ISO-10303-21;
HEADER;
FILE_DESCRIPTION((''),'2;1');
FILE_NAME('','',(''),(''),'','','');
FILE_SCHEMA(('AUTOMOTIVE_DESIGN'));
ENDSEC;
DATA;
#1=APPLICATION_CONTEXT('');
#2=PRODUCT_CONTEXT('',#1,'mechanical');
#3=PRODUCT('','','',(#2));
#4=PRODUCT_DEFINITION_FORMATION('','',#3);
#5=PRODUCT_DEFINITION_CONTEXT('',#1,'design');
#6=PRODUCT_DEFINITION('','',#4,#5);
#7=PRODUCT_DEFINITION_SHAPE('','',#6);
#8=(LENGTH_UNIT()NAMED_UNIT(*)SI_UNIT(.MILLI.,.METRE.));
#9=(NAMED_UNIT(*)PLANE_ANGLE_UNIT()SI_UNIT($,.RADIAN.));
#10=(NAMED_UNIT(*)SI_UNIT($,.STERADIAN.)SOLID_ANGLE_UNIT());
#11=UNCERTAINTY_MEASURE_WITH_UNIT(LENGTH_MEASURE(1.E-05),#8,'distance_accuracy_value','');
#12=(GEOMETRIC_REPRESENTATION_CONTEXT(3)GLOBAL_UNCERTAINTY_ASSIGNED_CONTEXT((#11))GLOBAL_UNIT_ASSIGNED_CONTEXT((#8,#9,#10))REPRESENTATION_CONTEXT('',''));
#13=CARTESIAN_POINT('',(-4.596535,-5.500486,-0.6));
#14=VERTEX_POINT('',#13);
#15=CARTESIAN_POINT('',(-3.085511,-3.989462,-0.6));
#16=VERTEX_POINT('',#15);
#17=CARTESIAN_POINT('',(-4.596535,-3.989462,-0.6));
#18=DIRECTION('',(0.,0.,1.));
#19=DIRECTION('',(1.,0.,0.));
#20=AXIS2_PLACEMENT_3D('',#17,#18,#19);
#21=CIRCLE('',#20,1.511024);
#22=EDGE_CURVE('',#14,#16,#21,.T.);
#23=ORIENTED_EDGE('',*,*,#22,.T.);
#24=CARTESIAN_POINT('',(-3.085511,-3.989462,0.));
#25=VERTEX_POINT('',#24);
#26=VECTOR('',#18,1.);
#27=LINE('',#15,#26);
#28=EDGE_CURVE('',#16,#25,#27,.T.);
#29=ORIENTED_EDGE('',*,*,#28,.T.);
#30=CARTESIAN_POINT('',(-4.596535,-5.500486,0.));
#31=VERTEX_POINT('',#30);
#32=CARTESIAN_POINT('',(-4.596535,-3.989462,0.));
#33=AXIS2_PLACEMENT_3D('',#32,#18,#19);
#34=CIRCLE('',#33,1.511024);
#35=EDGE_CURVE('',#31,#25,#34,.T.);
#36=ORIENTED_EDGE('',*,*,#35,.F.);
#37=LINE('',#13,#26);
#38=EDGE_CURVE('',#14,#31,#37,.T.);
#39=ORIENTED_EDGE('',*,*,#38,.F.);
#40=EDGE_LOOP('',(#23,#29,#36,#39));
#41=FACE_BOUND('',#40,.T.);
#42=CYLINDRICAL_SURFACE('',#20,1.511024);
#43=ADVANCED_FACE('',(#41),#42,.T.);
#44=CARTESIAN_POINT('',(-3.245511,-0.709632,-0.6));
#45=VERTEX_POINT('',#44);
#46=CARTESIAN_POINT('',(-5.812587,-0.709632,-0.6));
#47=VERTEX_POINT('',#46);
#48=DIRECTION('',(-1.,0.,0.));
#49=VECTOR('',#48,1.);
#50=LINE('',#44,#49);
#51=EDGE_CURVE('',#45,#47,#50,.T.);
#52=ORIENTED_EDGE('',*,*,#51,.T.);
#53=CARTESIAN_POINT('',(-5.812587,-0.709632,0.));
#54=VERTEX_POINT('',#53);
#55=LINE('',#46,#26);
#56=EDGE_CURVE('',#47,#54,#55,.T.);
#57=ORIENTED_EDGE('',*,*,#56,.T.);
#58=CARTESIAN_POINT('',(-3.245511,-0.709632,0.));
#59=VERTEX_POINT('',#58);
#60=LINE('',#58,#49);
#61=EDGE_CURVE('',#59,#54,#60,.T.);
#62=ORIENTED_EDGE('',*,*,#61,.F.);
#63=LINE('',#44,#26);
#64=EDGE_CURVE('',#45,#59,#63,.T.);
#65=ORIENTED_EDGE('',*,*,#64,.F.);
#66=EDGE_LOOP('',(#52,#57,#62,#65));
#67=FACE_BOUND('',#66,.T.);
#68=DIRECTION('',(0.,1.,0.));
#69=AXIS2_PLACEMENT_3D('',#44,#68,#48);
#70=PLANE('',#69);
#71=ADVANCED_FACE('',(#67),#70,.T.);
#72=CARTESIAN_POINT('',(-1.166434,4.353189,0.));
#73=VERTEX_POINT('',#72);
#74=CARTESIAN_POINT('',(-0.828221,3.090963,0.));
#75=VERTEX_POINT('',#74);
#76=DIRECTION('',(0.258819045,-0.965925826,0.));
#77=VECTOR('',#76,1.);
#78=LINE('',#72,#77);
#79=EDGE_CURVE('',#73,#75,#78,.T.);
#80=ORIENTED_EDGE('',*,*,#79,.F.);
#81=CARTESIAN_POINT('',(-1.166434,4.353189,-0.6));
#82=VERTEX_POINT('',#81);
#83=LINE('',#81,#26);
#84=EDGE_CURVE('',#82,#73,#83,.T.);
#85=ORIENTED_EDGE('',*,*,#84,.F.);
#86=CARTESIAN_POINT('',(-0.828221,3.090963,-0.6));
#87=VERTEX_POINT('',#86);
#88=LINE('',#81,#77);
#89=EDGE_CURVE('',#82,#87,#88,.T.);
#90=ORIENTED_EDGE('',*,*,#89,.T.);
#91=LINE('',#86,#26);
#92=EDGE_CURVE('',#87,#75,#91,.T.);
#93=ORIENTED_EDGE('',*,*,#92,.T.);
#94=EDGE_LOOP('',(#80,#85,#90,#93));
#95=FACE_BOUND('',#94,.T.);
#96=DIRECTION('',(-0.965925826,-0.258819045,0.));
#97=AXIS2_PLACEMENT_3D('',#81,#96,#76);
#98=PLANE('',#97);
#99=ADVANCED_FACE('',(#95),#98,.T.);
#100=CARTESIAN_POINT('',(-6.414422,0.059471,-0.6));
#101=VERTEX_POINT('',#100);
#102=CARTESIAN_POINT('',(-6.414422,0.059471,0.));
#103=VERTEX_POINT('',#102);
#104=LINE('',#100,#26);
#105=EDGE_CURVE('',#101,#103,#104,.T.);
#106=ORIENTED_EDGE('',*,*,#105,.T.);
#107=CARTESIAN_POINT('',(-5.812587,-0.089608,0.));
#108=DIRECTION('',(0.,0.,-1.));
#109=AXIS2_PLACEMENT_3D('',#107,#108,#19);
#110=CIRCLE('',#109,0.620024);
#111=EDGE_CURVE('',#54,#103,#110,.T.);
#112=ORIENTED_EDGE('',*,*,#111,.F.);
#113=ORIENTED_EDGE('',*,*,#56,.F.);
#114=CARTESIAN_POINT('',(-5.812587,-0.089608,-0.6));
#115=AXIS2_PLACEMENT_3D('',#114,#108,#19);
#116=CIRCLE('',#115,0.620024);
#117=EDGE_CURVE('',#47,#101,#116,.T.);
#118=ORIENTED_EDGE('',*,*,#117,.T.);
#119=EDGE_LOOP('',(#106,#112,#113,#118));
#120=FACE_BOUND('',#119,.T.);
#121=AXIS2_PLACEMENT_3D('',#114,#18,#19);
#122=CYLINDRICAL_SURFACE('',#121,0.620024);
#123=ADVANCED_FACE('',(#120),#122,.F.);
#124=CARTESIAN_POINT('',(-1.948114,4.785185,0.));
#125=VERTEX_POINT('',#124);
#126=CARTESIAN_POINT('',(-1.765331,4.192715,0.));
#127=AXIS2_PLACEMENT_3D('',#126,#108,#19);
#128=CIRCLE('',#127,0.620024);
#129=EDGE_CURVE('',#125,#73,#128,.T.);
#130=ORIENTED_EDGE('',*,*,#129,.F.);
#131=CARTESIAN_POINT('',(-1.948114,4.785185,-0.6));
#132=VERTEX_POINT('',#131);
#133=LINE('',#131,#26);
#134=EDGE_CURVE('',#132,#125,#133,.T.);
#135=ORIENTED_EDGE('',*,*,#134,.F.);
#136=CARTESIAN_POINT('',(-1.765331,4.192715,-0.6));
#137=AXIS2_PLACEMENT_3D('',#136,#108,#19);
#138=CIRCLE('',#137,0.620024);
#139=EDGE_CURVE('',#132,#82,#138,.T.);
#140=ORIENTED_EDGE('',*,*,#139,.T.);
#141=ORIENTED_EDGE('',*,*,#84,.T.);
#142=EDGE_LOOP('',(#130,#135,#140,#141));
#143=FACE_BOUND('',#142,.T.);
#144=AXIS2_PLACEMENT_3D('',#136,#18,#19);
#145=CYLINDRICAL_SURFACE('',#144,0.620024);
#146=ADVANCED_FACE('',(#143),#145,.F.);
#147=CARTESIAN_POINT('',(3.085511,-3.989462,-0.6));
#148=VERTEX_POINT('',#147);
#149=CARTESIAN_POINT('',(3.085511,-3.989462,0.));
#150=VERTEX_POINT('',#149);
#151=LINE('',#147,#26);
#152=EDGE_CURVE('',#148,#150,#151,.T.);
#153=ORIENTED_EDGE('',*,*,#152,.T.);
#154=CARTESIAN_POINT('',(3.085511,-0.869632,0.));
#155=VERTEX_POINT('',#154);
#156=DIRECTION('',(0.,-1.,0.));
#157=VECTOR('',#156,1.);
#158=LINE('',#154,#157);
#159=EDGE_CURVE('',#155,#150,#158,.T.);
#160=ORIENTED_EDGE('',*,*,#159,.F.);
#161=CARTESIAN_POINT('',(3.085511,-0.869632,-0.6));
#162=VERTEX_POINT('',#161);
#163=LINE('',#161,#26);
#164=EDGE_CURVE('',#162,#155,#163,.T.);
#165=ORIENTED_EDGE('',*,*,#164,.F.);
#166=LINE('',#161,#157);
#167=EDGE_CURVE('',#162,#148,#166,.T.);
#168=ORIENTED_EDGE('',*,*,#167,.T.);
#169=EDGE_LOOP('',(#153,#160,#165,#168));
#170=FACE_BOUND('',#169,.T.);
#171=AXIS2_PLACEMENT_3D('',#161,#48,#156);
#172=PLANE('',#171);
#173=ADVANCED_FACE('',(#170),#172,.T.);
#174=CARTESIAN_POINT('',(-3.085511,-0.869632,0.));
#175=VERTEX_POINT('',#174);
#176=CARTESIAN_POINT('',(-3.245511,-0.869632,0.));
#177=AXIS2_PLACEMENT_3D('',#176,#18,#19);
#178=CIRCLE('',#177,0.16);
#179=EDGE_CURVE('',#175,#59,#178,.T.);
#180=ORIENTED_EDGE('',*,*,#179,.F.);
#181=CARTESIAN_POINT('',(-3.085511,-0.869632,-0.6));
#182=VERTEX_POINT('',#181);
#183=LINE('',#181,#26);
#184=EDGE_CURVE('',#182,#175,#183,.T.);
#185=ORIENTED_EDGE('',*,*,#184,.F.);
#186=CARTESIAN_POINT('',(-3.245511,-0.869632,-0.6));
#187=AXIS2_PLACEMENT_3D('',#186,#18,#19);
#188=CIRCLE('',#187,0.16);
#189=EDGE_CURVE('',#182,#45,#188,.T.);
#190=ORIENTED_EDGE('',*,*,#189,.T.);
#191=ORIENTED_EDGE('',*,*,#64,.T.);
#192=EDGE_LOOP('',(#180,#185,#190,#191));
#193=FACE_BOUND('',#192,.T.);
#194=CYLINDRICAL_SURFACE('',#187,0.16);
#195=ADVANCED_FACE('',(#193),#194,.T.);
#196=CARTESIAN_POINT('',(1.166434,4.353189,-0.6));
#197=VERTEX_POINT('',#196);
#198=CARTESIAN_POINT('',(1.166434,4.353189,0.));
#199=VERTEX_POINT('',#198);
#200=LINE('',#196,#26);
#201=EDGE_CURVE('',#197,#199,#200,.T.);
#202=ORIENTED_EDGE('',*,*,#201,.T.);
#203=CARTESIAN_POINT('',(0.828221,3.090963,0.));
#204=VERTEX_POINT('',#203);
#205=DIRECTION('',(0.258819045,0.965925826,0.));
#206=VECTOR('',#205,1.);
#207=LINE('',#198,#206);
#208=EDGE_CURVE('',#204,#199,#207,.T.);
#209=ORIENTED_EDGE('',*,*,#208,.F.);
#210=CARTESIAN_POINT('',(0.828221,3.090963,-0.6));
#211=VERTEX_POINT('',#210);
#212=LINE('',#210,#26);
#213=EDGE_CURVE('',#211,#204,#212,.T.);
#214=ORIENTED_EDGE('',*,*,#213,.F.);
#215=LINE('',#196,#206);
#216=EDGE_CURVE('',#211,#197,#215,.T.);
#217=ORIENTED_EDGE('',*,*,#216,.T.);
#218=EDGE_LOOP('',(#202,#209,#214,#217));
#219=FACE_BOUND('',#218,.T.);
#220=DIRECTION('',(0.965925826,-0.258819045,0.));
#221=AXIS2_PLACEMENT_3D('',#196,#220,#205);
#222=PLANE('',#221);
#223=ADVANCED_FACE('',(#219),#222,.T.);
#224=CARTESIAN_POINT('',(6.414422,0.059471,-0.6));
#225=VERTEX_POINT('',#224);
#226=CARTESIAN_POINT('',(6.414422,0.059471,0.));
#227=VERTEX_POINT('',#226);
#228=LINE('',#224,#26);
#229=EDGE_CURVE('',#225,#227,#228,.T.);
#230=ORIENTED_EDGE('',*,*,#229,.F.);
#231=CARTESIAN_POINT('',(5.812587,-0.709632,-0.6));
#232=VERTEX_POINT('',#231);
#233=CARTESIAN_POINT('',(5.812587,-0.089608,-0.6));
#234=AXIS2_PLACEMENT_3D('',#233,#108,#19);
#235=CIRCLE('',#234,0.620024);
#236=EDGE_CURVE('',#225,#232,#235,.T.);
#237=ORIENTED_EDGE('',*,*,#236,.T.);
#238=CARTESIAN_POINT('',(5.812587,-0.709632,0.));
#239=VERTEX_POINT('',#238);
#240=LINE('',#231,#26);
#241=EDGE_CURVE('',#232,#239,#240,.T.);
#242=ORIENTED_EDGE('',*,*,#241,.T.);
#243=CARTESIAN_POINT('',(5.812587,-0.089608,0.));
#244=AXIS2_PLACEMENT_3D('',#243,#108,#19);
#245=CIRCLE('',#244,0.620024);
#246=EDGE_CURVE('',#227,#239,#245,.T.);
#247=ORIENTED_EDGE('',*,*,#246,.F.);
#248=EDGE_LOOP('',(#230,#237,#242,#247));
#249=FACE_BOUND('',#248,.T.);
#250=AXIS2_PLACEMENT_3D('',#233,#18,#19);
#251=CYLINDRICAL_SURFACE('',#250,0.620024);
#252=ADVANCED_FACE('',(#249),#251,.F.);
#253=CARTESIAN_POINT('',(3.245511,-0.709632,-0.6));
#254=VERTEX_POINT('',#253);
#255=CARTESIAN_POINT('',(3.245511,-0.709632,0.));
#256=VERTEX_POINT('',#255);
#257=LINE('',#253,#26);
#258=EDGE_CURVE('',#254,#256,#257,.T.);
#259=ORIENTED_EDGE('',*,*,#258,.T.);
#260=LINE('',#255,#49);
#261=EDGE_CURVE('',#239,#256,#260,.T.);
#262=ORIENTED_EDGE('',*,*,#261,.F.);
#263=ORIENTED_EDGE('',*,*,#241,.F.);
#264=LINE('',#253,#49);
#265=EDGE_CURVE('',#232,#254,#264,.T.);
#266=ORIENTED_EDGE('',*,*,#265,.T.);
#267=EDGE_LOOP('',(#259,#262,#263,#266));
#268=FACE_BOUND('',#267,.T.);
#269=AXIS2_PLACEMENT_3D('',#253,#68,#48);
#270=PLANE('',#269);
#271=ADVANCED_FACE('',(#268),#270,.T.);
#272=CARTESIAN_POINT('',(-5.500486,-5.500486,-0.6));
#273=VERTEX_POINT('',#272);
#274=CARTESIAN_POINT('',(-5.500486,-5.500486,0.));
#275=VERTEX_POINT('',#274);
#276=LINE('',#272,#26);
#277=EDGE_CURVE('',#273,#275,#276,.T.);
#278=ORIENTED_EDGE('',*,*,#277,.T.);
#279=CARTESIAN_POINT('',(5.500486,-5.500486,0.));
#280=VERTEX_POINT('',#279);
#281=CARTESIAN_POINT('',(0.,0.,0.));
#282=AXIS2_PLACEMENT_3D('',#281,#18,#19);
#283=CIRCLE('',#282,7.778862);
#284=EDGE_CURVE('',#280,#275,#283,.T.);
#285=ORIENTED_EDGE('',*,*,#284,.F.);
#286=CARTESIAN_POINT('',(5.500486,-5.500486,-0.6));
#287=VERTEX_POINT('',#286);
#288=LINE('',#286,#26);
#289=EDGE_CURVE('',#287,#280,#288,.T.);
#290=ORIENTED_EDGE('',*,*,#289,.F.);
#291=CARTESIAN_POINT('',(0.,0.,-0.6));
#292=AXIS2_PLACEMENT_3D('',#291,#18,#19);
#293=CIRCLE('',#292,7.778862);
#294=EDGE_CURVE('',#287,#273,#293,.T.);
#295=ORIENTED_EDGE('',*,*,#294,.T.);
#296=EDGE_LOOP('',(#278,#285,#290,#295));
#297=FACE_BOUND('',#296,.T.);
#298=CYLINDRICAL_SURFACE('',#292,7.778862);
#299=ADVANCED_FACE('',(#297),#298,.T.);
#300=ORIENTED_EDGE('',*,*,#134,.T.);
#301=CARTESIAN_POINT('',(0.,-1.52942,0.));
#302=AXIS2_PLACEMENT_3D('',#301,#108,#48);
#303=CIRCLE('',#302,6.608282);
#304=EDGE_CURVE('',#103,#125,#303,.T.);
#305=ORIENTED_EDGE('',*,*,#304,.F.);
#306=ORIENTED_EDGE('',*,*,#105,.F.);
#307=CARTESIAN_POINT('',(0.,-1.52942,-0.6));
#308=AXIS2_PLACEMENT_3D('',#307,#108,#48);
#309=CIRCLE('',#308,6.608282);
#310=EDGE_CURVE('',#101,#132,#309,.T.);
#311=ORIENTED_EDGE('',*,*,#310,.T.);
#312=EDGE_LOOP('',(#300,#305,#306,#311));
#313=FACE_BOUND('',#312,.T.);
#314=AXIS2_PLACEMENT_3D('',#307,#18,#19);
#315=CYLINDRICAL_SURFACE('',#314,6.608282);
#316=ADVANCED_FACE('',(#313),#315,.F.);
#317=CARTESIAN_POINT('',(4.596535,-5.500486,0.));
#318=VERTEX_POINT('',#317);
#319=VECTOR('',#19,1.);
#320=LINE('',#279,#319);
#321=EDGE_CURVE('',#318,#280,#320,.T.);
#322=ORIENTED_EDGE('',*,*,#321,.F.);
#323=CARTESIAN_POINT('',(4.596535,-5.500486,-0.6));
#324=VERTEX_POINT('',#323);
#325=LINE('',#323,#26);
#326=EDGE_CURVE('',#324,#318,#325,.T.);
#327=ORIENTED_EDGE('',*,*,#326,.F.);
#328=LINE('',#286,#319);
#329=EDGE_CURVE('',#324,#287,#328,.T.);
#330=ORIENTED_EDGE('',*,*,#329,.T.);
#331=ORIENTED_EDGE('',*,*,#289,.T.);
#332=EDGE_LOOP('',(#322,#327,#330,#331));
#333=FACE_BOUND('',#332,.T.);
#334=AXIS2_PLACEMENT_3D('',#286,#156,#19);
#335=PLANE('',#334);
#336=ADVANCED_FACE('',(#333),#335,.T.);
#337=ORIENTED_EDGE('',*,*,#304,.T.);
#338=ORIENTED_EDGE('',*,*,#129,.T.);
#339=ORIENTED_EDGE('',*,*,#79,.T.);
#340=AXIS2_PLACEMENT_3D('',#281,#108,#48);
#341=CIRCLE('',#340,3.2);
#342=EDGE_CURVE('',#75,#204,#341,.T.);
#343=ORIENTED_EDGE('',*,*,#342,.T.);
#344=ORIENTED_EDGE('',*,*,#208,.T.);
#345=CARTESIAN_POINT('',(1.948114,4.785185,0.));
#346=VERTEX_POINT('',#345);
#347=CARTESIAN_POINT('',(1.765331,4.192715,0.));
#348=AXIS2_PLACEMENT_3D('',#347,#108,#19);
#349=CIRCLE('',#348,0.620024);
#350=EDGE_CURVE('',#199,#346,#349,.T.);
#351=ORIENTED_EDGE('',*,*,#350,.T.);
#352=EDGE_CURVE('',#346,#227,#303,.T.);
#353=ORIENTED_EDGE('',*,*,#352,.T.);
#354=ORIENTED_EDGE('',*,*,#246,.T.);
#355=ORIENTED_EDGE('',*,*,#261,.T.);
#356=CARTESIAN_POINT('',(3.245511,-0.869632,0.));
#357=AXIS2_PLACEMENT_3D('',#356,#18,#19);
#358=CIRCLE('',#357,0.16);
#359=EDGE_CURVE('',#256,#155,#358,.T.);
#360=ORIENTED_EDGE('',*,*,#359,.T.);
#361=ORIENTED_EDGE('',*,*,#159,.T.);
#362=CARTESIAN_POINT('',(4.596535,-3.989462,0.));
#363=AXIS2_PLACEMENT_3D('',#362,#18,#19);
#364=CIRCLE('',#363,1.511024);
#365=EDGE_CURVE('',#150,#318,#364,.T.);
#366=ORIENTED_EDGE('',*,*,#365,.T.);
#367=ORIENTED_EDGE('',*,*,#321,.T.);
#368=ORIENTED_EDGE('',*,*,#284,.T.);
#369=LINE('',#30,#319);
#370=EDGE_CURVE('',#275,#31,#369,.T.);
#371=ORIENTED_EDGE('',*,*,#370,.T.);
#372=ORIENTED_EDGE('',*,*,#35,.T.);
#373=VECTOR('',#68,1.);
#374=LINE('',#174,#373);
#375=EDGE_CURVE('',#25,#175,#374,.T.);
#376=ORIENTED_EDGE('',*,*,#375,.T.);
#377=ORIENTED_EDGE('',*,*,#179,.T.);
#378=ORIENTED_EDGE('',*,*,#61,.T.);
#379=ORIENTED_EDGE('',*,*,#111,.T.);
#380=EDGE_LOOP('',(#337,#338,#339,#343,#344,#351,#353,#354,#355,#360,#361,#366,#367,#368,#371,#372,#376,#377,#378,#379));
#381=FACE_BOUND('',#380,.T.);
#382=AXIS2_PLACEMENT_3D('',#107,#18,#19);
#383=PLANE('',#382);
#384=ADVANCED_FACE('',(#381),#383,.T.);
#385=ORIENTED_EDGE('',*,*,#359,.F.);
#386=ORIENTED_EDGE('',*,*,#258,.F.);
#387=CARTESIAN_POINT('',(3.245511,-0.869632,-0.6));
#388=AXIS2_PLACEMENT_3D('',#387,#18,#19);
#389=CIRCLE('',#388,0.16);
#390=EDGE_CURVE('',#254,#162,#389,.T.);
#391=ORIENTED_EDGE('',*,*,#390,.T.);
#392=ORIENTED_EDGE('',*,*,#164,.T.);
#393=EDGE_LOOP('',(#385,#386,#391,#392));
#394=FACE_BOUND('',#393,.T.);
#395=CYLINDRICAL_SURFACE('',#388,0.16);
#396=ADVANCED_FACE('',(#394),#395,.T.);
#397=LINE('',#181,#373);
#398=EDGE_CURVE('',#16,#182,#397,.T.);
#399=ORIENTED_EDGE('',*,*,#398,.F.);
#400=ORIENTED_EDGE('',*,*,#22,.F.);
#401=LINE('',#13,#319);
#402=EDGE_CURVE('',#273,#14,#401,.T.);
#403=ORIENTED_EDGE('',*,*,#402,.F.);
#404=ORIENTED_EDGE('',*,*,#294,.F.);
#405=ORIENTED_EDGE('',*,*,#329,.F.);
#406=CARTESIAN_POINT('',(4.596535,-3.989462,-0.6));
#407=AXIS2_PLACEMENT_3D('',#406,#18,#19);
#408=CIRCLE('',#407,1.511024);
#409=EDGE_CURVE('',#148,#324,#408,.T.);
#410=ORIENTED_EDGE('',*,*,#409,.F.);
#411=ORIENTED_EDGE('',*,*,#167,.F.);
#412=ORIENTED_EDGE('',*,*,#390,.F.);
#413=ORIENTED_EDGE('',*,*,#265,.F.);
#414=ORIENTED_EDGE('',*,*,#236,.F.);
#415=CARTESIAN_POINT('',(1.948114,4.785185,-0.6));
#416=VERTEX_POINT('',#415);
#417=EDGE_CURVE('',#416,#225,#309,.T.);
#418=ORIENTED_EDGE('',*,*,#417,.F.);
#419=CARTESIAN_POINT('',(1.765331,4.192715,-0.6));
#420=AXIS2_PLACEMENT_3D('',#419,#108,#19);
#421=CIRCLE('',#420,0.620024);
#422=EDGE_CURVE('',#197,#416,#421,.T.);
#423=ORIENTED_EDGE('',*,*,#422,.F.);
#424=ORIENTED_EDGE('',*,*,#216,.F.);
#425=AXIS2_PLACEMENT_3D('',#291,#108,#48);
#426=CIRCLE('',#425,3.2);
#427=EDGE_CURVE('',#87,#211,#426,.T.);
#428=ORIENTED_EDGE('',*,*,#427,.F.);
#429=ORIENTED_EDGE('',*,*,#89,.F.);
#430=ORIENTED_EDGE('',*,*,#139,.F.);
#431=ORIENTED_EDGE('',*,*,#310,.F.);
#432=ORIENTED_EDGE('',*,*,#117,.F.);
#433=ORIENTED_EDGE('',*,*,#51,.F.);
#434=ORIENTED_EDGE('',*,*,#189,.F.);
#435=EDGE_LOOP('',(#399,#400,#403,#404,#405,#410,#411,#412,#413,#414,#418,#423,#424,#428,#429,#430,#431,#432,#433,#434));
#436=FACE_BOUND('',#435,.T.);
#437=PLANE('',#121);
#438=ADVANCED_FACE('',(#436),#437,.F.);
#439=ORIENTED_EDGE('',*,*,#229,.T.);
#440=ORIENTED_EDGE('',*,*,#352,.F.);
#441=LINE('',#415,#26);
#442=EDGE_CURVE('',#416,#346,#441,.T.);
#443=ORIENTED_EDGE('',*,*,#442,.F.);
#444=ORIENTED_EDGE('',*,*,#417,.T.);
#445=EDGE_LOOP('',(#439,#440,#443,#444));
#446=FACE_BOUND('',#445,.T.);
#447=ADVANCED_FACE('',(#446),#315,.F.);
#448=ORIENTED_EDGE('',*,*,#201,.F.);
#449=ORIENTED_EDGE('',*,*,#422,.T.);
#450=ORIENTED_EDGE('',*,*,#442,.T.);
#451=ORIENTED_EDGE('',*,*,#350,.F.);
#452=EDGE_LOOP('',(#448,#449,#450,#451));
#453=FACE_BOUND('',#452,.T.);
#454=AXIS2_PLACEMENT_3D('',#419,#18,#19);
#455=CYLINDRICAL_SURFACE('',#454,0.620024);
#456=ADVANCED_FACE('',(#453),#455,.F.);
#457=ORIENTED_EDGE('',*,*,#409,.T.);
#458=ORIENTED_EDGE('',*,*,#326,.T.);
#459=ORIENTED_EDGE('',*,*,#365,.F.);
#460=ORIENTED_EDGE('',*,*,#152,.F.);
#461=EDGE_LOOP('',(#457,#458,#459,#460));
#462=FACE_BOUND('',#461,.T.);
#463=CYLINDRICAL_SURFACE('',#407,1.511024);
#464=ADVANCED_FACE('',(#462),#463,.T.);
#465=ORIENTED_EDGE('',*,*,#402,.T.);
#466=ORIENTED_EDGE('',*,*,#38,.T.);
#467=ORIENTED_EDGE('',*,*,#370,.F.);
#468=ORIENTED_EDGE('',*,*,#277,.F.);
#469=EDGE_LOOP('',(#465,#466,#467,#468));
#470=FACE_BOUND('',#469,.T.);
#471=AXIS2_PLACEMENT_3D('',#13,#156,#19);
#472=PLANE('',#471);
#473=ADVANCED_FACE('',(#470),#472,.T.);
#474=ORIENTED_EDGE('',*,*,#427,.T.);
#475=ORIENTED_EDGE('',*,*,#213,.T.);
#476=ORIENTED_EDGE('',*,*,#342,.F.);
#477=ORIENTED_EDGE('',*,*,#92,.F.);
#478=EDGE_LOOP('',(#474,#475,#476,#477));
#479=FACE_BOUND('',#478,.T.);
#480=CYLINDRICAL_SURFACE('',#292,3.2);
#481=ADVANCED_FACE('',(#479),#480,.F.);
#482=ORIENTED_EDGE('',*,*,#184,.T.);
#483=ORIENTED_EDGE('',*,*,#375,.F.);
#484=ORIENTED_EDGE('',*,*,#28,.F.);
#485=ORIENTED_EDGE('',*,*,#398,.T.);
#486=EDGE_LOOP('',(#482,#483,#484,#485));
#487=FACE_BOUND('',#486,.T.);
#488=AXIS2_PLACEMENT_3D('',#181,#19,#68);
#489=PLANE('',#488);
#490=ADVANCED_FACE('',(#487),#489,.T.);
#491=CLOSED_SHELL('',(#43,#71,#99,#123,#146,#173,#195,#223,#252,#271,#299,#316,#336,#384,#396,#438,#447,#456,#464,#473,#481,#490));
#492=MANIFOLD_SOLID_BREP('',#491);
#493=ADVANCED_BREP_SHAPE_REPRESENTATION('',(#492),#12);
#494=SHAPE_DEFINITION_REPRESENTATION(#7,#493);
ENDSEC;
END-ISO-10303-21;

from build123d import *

# Parameters (mm, degrees)
BODY_DEPTH = 0.6


with BuildPart() as part:
    # BodySke → Body (new body)
    with BuildSketch(Plane.XY):
        with BuildLine():
            Line((5.500485921, -5.500485921), (4.596535167, -5.500485921))
            ThreePointArc((4.596535167, -5.500485921), (3.528079574, -5.057917123), (3.085510776, -3.98946153))
            Line((3.085510776, -3.98946153), (3.085510776, -0.869631992))
            ThreePointArc((3.085510776, -0.869631992), (3.132373691, -0.756494907), (3.245510776, -0.709631992))
            Line((3.245510776, -0.709631992), (5.812587034, -0.709631992))
            ThreePointArc((5.812587034, -0.709631992), (6.300881202, -0.471705822), (6.414422496, 0.059470637))
            ThreePointArc((6.414422496, 0.059470637), (4.802717732, 3.00966483), (1.948113616, 4.78518542))
            ThreePointArc((1.948113616, 4.78518542), (1.465426047, 4.735382034), (1.166433595, 4.353189439))
            Line((1.166433595, 4.353189439), (0.828220944, 3.090962644))
            ThreePointArc((0.828220944, 3.090962644), (0, 3.2), (-0.828220944, 3.090962644))
            Line((-0.828220944, 3.090962644), (-1.166433595, 4.353189439))
            ThreePointArc((-1.166433595, 4.353189439), (-1.465426047, 4.735382034), (-1.948113616, 4.78518542))
            ThreePointArc((-1.948113616, 4.78518542), (-4.802717732, 3.00966483), (-6.414422496, 0.059470637))
            ThreePointArc((-6.414422496, 0.059470637), (-6.300881202, -0.471705822), (-5.812587034, -0.709631992))
            Line((-5.812587034, -0.709631992), (-3.245510776, -0.709631992))
            ThreePointArc((-3.245510776, -0.709631992), (-3.132373691, -0.756494907), (-3.085510776, -0.869631992))
            Line((-3.085510776, -0.869631992), (-3.085510776, -3.98946153))
            ThreePointArc((-3.085510776, -3.98946153), (-3.528079574, -5.057917123), (-4.596535167, -5.500485921))
            Line((-4.596535167, -5.500485921), (-5.500485921, -5.500485921))
            ThreePointArc((-5.500485921, -5.500485921), (0, 7.778861789), (5.500485921, -5.500485921))
        make_face()
    extrude(amount=-BODY_DEPTH)


solid = part.part
